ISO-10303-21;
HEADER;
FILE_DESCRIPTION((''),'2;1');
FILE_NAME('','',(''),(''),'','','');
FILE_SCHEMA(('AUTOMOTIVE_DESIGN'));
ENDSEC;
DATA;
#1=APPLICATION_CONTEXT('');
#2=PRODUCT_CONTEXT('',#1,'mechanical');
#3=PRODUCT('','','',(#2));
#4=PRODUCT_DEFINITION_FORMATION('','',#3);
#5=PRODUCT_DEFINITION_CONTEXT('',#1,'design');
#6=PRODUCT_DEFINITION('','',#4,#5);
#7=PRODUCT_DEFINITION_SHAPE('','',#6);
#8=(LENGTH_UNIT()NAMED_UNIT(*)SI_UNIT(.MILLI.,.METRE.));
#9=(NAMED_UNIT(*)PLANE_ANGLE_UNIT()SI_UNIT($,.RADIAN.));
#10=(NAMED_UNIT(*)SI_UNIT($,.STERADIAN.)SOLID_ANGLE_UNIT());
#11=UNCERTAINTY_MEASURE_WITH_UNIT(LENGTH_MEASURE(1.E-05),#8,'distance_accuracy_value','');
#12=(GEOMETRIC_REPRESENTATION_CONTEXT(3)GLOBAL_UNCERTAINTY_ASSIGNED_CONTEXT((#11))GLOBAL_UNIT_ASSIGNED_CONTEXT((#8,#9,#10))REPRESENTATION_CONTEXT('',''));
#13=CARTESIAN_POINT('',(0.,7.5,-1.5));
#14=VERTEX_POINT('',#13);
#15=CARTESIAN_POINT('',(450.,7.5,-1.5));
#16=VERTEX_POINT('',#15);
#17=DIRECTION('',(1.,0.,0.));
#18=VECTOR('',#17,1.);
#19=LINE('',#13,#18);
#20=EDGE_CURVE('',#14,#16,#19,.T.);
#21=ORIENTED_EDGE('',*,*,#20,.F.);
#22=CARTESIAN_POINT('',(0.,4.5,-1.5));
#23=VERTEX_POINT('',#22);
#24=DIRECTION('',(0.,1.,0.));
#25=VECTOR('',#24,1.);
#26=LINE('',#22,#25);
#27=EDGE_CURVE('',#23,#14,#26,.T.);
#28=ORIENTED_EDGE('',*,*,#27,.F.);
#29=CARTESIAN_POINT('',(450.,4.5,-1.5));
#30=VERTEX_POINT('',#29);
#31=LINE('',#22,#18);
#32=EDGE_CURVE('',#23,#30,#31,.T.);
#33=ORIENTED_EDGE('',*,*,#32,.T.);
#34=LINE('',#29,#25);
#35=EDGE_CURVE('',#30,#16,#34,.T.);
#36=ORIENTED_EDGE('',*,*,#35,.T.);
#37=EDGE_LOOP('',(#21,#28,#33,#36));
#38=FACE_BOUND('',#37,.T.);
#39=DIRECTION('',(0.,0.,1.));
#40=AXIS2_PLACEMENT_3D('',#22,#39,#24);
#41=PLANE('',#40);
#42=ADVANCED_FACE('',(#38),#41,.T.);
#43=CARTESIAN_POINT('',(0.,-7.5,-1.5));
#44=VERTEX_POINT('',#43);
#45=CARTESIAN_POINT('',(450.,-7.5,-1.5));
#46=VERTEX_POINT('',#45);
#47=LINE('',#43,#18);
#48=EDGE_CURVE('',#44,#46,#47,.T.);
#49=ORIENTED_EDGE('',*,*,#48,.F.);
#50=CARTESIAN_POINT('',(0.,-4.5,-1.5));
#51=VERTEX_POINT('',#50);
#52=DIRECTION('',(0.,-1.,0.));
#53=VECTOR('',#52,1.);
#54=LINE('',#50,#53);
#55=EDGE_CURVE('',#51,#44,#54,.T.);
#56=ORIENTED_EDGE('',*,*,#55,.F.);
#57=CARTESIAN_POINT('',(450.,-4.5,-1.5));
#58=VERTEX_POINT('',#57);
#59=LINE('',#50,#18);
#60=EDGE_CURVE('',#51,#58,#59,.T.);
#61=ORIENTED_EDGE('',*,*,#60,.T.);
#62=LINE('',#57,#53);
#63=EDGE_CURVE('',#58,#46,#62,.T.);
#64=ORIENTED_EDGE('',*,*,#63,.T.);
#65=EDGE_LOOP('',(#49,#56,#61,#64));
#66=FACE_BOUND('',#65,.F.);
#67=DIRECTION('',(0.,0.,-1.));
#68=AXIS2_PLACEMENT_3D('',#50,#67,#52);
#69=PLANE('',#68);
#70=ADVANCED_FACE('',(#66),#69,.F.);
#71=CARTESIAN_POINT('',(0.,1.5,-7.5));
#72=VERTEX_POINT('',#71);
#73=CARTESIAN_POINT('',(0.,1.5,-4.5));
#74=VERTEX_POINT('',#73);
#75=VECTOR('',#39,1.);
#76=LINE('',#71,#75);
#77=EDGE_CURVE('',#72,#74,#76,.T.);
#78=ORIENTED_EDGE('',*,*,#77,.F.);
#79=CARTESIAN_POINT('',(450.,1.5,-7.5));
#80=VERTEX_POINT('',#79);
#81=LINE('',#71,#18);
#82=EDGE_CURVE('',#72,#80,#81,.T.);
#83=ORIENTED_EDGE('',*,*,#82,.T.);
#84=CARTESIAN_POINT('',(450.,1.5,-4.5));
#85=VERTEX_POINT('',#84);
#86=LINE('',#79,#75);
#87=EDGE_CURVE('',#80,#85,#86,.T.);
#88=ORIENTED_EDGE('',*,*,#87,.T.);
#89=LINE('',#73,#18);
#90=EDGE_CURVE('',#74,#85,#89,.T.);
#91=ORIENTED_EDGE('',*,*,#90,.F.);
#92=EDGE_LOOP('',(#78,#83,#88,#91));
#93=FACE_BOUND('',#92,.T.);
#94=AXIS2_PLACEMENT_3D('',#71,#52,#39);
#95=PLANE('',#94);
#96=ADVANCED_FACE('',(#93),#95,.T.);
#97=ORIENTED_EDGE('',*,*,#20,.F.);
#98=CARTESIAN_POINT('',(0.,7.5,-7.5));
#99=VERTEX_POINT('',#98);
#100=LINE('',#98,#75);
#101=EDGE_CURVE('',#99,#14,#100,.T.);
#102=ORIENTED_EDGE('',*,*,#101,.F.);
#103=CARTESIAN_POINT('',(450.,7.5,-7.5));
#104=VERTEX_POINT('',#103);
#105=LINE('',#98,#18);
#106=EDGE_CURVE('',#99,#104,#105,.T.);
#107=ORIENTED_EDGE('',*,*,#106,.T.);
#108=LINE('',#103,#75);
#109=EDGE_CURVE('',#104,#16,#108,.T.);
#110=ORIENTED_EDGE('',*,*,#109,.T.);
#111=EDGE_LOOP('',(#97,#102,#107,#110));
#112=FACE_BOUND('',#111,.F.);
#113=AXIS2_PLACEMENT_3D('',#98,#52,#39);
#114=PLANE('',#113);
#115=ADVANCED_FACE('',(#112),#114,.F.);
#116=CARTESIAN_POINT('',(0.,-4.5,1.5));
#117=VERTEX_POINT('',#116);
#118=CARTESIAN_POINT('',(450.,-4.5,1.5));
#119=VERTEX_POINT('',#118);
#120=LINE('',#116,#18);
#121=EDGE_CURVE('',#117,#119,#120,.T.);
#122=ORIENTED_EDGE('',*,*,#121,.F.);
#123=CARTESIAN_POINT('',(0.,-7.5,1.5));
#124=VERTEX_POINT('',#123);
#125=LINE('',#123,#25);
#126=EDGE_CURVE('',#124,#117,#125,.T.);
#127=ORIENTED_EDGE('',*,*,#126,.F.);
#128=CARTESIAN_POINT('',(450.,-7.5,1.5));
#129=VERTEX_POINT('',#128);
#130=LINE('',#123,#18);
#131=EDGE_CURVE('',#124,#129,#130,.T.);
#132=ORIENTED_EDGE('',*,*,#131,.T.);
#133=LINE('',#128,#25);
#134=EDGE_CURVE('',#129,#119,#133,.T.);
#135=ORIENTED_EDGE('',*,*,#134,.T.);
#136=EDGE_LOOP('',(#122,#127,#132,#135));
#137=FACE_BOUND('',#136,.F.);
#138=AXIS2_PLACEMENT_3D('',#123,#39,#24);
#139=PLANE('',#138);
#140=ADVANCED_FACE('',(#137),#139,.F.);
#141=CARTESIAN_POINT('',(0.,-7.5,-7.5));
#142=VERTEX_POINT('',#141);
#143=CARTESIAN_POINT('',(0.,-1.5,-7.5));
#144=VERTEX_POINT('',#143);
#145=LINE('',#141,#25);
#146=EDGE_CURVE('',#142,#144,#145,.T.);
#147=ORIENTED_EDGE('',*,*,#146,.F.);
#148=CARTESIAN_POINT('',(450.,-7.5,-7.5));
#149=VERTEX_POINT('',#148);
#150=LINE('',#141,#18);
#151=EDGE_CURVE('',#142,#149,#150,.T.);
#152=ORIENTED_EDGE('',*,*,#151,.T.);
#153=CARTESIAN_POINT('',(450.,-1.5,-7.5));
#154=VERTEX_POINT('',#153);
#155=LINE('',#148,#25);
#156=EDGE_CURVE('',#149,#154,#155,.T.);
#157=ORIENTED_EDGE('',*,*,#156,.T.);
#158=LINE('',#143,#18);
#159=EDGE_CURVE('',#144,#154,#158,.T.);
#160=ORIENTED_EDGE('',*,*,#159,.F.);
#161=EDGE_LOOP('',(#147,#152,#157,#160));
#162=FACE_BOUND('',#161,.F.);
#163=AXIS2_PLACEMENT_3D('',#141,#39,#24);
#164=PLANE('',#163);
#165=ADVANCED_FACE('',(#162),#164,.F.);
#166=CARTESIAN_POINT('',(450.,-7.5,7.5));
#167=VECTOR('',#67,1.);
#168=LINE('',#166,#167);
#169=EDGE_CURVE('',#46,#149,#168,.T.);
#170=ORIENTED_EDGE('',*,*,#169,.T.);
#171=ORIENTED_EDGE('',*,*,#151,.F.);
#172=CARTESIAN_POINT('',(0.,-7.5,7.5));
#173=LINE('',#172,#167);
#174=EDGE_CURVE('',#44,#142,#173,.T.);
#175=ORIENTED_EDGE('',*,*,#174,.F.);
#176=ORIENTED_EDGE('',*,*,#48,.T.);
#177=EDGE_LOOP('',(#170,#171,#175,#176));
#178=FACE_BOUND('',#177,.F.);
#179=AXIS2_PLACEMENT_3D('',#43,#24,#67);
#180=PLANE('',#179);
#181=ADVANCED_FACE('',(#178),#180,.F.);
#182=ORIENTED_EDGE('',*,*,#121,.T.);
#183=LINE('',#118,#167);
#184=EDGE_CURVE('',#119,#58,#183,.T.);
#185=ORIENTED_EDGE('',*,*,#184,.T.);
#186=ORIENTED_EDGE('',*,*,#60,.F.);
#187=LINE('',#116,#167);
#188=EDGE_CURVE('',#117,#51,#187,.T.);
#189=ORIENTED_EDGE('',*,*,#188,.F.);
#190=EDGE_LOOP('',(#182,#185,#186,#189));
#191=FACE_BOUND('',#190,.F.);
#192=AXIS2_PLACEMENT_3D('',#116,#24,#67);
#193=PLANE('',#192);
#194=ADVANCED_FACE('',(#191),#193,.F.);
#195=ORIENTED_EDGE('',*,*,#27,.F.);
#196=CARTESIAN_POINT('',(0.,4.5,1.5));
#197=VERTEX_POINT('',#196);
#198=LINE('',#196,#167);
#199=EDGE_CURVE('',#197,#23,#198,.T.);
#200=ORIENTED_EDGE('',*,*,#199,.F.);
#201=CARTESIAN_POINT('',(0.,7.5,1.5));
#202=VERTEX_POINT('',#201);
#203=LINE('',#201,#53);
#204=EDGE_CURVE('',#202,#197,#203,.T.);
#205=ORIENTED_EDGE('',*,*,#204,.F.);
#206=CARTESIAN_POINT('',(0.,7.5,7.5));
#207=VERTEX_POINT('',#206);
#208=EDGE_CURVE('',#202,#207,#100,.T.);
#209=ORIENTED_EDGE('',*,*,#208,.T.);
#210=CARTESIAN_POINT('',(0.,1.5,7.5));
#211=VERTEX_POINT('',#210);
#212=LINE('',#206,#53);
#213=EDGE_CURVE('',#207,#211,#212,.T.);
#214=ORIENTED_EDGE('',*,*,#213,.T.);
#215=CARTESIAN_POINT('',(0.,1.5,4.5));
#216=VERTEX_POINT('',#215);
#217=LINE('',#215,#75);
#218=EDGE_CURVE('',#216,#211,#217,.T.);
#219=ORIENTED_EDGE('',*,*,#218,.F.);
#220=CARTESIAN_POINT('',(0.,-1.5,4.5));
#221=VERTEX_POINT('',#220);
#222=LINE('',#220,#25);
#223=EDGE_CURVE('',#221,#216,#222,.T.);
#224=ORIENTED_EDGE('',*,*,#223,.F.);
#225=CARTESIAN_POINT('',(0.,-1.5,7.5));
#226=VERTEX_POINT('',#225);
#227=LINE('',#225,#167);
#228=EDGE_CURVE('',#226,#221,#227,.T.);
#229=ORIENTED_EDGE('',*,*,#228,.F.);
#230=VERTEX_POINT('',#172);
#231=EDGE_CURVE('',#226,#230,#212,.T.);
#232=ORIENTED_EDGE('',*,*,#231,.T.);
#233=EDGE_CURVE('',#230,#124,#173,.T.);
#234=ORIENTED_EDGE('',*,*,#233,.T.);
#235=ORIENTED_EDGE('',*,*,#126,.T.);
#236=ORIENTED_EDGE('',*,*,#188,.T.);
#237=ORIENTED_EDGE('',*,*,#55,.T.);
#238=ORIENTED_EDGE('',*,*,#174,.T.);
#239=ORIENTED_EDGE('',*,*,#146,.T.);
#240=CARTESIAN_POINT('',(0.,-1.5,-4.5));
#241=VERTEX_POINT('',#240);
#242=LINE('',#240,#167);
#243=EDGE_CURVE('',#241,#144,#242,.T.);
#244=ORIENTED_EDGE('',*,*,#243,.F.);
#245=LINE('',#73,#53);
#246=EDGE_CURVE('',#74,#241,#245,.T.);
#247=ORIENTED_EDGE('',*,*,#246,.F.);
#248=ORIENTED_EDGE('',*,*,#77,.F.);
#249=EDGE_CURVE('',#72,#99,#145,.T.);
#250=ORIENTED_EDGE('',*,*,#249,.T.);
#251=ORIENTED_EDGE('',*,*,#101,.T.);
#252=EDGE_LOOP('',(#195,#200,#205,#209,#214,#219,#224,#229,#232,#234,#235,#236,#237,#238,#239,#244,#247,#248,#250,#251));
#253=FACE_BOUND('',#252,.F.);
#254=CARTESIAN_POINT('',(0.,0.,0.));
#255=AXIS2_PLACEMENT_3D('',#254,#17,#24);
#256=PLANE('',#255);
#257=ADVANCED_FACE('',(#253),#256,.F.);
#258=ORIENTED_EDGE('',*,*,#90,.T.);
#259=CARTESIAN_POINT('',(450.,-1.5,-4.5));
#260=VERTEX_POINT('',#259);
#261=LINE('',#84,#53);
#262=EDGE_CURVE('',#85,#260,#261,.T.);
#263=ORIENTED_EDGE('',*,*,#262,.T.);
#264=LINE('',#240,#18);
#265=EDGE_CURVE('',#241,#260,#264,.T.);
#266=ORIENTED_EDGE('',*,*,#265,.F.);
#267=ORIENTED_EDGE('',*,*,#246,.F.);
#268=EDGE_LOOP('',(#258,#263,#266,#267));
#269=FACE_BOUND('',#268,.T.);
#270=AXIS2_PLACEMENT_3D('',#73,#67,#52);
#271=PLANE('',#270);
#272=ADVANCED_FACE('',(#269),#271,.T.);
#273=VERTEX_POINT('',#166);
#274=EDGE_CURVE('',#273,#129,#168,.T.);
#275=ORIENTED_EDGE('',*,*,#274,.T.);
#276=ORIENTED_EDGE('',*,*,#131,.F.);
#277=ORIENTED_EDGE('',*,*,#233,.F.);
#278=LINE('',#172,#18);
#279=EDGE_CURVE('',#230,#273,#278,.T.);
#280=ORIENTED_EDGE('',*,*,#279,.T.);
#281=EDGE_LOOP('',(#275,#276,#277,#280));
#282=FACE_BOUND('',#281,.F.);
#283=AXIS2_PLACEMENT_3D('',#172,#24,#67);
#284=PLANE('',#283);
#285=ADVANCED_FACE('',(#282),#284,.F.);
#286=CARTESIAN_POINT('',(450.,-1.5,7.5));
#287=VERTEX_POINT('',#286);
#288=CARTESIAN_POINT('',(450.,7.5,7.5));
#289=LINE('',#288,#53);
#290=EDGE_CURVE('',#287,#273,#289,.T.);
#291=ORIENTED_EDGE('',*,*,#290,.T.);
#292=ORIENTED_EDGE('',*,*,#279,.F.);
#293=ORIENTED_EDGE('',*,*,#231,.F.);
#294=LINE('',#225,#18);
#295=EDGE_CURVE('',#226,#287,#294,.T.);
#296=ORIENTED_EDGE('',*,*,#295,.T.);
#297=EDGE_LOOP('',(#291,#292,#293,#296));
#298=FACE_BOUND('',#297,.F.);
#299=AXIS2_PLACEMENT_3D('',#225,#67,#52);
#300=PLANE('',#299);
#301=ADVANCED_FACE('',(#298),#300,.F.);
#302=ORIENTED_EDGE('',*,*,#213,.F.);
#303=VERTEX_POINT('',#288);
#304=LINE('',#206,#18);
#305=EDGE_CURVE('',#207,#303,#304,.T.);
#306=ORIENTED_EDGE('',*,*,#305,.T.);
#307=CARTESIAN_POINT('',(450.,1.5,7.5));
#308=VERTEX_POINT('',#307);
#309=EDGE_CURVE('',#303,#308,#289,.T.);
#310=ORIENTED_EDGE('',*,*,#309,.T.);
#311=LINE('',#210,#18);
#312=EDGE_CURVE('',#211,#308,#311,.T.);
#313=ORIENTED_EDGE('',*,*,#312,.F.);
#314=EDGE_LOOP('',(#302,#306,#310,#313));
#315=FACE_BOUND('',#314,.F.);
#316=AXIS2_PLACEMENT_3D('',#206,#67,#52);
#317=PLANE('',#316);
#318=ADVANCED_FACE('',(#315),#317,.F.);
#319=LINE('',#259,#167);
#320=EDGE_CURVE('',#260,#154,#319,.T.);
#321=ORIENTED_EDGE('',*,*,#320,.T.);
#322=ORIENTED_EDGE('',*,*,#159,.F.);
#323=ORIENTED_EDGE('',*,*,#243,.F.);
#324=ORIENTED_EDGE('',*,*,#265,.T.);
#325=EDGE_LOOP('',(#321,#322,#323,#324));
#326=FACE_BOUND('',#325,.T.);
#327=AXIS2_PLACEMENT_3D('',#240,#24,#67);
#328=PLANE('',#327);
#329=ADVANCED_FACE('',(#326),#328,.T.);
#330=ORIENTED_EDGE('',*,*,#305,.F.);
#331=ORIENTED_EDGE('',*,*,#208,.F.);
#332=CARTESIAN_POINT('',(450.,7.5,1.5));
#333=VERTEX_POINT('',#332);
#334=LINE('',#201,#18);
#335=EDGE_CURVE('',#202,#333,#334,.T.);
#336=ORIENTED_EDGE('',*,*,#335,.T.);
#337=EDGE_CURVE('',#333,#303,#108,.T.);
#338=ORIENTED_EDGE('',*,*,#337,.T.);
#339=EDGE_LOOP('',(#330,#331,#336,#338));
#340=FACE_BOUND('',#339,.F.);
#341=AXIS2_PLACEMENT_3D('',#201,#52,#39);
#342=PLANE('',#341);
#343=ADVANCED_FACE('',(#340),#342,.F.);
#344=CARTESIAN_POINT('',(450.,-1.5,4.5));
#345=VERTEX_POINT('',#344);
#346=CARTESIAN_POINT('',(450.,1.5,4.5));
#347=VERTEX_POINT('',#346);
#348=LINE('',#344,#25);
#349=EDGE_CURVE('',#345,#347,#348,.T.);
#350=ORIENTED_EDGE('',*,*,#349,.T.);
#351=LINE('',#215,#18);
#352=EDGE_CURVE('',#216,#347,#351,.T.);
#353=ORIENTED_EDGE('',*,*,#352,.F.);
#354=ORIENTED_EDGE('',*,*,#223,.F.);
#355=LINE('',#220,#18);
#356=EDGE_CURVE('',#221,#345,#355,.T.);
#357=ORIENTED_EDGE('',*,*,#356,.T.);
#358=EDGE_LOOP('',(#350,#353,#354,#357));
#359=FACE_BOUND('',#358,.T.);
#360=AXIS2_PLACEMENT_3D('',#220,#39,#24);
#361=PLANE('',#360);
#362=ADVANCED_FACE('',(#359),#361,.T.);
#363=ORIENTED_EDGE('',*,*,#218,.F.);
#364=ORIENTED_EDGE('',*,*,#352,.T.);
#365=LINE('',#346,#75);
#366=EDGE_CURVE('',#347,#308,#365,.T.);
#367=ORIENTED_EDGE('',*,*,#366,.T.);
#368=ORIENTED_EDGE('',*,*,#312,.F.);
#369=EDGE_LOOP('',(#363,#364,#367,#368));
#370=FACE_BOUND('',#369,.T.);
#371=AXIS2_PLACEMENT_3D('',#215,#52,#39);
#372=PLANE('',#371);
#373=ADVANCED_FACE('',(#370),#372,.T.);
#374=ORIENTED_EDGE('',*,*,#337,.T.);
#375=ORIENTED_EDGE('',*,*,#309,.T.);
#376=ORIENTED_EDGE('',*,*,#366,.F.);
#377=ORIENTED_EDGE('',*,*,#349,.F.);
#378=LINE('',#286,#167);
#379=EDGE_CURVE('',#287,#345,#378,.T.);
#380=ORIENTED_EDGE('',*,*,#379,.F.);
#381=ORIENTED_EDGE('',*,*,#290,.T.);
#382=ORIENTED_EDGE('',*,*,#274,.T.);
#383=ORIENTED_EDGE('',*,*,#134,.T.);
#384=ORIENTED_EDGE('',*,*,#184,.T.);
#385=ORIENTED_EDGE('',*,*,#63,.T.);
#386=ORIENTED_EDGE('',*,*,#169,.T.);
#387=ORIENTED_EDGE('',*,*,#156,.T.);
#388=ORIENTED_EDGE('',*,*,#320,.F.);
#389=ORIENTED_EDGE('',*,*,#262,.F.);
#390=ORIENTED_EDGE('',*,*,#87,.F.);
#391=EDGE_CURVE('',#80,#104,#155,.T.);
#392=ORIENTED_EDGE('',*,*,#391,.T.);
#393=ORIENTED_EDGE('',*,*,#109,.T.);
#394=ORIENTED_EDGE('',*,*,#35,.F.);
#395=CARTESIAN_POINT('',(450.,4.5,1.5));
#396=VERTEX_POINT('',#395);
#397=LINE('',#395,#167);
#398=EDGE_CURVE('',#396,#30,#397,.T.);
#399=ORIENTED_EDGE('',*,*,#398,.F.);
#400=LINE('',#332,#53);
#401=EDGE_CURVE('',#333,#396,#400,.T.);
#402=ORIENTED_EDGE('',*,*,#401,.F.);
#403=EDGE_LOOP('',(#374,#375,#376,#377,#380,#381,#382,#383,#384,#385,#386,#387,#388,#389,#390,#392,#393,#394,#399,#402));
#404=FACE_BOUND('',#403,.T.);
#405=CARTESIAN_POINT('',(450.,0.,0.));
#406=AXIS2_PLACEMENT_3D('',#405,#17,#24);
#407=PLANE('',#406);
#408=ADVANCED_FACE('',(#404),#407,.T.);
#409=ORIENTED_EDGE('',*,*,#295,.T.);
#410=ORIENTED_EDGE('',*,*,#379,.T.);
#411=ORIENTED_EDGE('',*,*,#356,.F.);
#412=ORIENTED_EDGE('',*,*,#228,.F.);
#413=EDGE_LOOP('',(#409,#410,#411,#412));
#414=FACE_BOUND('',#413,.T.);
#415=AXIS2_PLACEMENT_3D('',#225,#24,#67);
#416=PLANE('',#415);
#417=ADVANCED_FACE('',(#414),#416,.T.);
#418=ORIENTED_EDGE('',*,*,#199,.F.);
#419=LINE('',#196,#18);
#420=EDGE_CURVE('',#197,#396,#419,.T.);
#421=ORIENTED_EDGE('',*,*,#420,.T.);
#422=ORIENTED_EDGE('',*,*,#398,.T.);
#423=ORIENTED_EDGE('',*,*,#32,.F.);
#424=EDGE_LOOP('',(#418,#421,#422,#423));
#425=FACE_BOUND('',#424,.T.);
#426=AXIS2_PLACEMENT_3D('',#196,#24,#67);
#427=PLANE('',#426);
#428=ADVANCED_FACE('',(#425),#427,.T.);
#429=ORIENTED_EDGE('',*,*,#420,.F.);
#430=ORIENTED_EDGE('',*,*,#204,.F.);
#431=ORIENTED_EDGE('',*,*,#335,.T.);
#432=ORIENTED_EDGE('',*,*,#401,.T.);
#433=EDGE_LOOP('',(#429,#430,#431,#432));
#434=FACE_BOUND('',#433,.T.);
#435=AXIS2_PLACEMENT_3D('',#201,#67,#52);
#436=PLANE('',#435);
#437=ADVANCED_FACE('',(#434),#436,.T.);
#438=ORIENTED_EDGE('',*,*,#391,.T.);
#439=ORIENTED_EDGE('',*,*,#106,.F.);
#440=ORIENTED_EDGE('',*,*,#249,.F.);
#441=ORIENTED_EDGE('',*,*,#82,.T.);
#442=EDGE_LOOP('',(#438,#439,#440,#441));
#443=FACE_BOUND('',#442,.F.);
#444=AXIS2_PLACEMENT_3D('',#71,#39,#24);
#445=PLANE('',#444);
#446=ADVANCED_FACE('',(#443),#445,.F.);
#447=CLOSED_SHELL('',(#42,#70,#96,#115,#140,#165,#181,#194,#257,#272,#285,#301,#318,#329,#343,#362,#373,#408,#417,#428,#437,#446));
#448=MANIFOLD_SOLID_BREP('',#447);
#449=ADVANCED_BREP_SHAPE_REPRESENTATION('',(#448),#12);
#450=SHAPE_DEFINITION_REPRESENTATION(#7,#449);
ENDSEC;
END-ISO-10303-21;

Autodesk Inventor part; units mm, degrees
ref_plane "YZ Plane" through (0, 0, 0) normal (1, 0, 0) x (0, 1, 0)
ref_plane "XZ Plane" through (0, 0, 0) normal (0, 1, 0) x (-1, 0, 0)
ref_plane "XY Plane" through (0, 0, 0) normal (0, 0, 1) x (1, 0, 0)
sketch "Sketch1" plane through (0, 0, 0) normal (1, 0, 0) x (0, 1, 0)
  line L0 (-7.5, -7.5) -> (7.5, -7.5)
  line L1 (7.5, -7.5) -> (7.5, 7.5)
  line L2 (7.5, 7.5) -> (-7.5, 7.5)
  line L3 (-7.5, 7.5) -> (-7.5, -7.5)
  line L4 (-7.5, -7.5) -> (7.5, 7.5) construction
  line L5 (7.5, -7.5) -> (-7.5, 7.5) construction
  line L6 (7.5, 1.5) -> (4.5, 1.5)
  line L7 (4.5, 1.5) -> (4.5, -1.5)
  line L8 (4.5, -1.5) -> (7.5, -1.5)
  line L9 (7.5, -1.5) -> (7.5, 1.5)
  line L10 (1.5, 7.5) -> (-1.5, 7.5)
  line L11 (-1.5, 7.5) -> (-1.5, 4.5)
  line L12 (-1.5, 4.5) -> (1.5, 4.5)
  line L13 (1.5, 4.5) -> (1.5, 7.5)
  line L14 (-7.5, 1.5) -> (-4.5, 1.5)
  line L15 (-4.5, 1.5) -> (-4.5, -1.5)
  line L16 (-4.5, -1.5) -> (-7.5, -1.5)
  line L17 (-7.5, -1.5) -> (-7.5, 1.5)
  line L18 (-1.5, -7.5) -> (1.5, -7.5)
  line L19 (1.5, -7.5) -> (1.5, -4.5)
  line L20 (1.5, -4.5) -> (-1.5, -4.5)
  line L21 (-1.5, -4.5) -> (-1.5, -7.5)
  point P0 (0, 0)
  dimension "d0" = 15
  dimension "d1" = 3
  dimension "d2" = 3
  dimension "d3" = 1.5
  dimension "d4" = 1.5
extrude "Extrusion1" add sketch "Sketch1" along normal blind 450 contours L3 L16 L15 L14 L2 L11 L12 L13 L1 L6 L7 L8 L0 L19 L20 L21
equation "\"d3\" = 0.5 * d2"
equation "\"d4\" = d3"
properties part number "Beam_360mm" material "Aluminum 6061"
